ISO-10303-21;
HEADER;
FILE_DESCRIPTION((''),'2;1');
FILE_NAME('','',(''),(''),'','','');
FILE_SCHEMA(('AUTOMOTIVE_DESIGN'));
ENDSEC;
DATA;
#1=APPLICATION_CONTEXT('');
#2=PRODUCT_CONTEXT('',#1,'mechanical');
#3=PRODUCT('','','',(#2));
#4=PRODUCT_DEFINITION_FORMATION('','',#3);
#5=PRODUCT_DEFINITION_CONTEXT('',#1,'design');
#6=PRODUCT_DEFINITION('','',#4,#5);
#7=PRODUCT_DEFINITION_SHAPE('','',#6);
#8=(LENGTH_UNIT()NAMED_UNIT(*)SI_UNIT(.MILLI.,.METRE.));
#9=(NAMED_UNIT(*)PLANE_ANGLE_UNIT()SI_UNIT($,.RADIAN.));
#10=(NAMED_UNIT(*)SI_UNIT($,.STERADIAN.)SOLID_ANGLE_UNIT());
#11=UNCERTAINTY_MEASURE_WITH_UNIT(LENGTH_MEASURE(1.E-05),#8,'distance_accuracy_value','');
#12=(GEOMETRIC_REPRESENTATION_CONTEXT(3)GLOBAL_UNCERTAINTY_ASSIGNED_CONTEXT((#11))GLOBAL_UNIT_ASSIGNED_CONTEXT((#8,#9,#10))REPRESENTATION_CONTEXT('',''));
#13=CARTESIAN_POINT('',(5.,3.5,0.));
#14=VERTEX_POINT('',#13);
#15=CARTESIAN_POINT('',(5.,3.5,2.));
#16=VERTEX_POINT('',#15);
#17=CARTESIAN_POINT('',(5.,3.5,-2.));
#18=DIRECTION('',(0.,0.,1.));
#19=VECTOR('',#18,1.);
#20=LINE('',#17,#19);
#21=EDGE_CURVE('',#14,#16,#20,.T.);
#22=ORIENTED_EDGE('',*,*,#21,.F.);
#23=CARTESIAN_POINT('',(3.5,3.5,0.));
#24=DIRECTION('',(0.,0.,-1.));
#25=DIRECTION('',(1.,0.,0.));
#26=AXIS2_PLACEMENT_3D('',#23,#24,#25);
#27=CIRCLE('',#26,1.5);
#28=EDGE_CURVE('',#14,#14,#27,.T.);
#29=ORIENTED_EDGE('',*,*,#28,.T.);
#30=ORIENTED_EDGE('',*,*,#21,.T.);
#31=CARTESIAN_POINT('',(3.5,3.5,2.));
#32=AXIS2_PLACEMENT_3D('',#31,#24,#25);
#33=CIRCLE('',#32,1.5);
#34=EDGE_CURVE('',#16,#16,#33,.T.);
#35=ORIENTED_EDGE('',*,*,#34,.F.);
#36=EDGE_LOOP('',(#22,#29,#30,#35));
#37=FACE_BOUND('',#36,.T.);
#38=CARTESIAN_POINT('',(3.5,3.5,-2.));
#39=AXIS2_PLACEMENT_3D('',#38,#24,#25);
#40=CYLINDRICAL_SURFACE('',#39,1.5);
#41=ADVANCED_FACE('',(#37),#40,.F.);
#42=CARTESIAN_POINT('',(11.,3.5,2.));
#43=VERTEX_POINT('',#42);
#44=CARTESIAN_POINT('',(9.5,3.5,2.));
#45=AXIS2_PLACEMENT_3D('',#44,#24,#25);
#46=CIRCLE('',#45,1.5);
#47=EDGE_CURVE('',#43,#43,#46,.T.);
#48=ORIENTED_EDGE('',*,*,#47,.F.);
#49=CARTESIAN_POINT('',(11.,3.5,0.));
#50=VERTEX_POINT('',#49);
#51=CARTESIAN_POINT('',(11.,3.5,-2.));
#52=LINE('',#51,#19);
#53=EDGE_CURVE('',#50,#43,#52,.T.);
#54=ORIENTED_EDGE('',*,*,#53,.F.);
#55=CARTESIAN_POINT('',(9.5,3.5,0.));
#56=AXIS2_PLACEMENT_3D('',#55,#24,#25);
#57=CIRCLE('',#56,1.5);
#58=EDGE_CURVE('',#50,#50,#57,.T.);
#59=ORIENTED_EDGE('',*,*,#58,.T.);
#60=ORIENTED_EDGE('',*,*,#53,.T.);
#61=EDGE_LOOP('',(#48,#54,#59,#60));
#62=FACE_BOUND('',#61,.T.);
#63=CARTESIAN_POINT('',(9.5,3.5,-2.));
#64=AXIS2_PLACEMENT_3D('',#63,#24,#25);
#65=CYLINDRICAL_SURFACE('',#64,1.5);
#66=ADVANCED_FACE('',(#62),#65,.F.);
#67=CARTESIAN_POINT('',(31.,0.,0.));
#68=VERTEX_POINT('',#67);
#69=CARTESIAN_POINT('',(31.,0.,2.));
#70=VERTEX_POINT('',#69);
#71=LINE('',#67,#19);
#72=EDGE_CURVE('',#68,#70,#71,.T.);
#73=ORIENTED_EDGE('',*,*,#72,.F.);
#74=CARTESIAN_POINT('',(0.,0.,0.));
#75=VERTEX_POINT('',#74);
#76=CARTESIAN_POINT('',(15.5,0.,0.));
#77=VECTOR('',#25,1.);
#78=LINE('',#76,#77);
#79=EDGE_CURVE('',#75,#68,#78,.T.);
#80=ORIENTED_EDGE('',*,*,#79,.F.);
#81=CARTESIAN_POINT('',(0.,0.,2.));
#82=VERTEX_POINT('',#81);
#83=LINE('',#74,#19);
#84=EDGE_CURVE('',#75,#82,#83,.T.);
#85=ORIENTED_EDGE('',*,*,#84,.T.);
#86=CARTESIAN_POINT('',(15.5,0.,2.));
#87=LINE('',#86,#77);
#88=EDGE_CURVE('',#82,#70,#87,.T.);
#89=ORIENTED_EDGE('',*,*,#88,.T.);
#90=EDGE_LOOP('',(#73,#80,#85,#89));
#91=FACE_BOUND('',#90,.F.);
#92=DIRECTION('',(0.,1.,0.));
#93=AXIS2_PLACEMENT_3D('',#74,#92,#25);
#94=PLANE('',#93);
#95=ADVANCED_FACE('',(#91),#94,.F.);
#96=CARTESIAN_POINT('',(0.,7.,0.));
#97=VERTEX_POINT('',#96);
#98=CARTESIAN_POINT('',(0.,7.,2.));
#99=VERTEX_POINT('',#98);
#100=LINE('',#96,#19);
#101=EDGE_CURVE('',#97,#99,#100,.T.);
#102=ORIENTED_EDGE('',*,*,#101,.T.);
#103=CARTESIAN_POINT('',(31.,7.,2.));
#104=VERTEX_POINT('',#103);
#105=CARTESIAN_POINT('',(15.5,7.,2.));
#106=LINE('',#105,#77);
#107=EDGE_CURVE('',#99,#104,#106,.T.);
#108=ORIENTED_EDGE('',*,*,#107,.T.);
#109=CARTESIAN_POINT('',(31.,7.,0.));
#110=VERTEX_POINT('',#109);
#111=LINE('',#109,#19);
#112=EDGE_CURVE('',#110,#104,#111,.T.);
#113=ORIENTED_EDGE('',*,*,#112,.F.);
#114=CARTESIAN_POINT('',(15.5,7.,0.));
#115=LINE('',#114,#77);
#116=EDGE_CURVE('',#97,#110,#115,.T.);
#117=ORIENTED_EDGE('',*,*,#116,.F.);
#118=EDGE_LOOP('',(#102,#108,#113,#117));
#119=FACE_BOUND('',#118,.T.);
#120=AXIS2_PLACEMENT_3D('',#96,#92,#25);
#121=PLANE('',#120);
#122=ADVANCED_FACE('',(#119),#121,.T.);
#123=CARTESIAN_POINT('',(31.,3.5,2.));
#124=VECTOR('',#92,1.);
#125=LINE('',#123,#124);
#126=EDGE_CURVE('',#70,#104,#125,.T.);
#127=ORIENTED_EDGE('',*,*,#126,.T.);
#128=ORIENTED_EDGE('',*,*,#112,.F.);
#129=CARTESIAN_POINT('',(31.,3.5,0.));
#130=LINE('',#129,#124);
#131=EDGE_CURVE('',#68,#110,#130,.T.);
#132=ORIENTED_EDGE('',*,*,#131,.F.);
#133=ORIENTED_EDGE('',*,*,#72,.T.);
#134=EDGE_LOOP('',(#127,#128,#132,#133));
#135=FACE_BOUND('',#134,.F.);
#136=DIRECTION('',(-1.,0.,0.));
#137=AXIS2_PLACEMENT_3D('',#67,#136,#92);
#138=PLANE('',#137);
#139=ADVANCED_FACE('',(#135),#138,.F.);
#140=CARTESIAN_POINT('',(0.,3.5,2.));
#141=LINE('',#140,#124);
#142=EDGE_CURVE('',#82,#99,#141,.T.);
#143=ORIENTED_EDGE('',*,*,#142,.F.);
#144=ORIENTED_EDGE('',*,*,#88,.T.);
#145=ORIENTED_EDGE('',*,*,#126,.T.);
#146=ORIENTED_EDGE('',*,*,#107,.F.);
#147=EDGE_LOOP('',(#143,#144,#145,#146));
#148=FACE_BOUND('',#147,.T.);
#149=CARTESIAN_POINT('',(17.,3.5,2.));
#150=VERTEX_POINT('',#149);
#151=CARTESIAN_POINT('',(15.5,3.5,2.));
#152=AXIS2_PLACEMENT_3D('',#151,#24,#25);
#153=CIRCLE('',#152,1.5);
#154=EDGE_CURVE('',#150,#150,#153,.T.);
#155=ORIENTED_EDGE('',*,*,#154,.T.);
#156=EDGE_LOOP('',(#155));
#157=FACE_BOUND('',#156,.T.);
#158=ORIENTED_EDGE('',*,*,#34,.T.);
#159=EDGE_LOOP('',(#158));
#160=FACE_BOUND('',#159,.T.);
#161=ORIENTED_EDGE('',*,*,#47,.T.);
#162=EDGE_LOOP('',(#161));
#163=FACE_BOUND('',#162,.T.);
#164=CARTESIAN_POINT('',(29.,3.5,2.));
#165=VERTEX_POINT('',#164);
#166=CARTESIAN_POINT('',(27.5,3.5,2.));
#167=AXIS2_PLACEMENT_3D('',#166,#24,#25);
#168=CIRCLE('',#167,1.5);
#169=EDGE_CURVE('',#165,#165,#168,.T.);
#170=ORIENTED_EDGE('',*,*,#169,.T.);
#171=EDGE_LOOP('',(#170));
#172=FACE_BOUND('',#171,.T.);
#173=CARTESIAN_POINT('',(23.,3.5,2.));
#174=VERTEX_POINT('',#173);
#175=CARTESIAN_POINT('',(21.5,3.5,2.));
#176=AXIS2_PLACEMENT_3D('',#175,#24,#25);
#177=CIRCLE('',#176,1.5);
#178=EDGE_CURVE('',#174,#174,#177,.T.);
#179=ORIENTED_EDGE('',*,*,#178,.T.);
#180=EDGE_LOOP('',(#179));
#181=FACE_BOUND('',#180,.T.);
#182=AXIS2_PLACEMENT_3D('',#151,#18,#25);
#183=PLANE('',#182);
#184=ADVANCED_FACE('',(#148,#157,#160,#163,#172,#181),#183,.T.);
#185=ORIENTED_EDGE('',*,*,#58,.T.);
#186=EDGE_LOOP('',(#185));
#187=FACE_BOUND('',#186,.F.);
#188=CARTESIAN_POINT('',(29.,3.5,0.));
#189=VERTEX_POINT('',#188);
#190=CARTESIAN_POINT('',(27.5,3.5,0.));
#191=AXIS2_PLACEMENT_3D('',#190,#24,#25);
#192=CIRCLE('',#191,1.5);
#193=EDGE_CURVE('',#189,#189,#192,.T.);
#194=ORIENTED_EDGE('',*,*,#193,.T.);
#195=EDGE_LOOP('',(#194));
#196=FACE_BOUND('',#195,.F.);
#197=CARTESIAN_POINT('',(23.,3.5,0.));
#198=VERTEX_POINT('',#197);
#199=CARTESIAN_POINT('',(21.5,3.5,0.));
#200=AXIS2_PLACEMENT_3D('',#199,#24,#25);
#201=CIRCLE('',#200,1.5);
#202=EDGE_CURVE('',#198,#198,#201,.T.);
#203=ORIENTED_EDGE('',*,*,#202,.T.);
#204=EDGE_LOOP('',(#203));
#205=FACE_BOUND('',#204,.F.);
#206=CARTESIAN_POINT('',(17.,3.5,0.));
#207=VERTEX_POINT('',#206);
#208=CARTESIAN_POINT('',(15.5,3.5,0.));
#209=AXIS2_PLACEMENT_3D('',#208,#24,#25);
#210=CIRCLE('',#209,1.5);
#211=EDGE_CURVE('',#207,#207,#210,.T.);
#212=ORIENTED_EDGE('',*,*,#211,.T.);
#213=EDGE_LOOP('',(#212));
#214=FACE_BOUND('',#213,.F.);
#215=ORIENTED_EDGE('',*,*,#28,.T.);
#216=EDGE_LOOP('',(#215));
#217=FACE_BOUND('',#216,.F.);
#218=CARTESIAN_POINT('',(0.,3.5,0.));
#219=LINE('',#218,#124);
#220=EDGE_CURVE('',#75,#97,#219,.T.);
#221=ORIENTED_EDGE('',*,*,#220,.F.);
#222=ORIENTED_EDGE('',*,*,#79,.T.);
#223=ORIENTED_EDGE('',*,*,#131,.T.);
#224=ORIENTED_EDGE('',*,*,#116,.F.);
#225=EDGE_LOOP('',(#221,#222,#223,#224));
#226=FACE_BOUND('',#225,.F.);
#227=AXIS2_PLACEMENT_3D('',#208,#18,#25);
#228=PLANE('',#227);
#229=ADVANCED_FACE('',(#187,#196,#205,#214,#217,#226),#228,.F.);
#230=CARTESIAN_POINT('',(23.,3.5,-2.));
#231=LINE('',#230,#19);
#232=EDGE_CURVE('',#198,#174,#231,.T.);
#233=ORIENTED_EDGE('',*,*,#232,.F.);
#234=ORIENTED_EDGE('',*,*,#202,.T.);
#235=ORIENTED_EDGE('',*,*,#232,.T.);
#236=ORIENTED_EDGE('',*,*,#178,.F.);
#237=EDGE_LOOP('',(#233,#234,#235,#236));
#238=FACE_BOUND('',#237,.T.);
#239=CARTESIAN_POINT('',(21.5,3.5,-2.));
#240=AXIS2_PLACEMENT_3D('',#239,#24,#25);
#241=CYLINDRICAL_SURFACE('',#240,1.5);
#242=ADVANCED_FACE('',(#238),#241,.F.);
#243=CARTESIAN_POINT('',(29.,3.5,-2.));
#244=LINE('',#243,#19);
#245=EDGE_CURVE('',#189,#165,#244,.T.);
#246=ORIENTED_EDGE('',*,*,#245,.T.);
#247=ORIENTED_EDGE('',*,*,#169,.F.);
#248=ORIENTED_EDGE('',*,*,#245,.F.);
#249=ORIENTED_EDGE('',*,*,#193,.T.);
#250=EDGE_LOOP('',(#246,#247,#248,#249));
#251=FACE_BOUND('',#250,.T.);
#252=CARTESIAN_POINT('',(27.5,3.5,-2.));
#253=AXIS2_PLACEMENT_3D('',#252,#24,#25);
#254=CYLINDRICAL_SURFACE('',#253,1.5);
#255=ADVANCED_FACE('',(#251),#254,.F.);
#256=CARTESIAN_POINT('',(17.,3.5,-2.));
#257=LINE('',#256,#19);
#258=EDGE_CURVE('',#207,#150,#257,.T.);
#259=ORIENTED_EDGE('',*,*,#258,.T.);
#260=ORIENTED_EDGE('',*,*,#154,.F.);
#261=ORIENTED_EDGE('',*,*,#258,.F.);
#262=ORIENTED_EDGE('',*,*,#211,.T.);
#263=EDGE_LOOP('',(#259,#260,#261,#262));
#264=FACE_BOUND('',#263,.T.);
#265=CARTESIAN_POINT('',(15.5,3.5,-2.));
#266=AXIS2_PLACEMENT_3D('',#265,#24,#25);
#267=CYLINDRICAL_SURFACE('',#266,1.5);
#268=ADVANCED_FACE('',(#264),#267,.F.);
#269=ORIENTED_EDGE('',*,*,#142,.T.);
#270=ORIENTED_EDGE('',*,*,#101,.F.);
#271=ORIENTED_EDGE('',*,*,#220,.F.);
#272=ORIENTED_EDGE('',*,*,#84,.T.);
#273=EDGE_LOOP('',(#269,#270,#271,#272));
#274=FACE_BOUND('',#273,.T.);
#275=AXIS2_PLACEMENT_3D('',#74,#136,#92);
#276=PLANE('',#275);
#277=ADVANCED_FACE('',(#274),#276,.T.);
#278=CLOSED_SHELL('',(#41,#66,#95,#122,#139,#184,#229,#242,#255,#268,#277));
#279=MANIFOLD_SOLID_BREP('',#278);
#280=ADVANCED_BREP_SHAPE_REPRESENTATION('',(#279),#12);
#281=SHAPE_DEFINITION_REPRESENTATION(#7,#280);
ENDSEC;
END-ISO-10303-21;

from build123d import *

# Parameters (mm, degrees)
CYLINDER_R     = 1.5
CYLINDER_DEPTH = 6
ARRAY_X_COUNT  = 5
ARRAY_X_PITCH  = 6
BOX_W          = 31
BOX_H          = 7
BOX_DEPTH      = 2


with BuildPart() as array:
    # Cylinder → Cylinder (new body)
    with BuildSketch(Plane.XY):
        Circle(CYLINDER_R)
    extrude(amount=CYLINDER_DEPTH)

    # Array X: Array ×5


with BuildPart() as array_1:
    add(array.part)
    with Locations(*[(i * ARRAY_X_PITCH, 0, 0) for i in range(1, ARRAY_X_COUNT)]):
        add(array.part)


with BuildPart() as array_2:
    # Array placement: moved
    add(array_1.part.moved(Location((3.5, 3.5, -2))))


with BuildPart() as pe_a_mecano:
    # Box → Box (new body)
    with BuildSketch(Plane.XY):
        with Locations((15.5, 3.5)):
            Rectangle(BOX_W, BOX_H)
    extrude(amount=BOX_DEPTH)

    # Cut: cut Array
    add(array_2.part, mode=Mode.SUBTRACT)


solid = pe_a_mecano.part
